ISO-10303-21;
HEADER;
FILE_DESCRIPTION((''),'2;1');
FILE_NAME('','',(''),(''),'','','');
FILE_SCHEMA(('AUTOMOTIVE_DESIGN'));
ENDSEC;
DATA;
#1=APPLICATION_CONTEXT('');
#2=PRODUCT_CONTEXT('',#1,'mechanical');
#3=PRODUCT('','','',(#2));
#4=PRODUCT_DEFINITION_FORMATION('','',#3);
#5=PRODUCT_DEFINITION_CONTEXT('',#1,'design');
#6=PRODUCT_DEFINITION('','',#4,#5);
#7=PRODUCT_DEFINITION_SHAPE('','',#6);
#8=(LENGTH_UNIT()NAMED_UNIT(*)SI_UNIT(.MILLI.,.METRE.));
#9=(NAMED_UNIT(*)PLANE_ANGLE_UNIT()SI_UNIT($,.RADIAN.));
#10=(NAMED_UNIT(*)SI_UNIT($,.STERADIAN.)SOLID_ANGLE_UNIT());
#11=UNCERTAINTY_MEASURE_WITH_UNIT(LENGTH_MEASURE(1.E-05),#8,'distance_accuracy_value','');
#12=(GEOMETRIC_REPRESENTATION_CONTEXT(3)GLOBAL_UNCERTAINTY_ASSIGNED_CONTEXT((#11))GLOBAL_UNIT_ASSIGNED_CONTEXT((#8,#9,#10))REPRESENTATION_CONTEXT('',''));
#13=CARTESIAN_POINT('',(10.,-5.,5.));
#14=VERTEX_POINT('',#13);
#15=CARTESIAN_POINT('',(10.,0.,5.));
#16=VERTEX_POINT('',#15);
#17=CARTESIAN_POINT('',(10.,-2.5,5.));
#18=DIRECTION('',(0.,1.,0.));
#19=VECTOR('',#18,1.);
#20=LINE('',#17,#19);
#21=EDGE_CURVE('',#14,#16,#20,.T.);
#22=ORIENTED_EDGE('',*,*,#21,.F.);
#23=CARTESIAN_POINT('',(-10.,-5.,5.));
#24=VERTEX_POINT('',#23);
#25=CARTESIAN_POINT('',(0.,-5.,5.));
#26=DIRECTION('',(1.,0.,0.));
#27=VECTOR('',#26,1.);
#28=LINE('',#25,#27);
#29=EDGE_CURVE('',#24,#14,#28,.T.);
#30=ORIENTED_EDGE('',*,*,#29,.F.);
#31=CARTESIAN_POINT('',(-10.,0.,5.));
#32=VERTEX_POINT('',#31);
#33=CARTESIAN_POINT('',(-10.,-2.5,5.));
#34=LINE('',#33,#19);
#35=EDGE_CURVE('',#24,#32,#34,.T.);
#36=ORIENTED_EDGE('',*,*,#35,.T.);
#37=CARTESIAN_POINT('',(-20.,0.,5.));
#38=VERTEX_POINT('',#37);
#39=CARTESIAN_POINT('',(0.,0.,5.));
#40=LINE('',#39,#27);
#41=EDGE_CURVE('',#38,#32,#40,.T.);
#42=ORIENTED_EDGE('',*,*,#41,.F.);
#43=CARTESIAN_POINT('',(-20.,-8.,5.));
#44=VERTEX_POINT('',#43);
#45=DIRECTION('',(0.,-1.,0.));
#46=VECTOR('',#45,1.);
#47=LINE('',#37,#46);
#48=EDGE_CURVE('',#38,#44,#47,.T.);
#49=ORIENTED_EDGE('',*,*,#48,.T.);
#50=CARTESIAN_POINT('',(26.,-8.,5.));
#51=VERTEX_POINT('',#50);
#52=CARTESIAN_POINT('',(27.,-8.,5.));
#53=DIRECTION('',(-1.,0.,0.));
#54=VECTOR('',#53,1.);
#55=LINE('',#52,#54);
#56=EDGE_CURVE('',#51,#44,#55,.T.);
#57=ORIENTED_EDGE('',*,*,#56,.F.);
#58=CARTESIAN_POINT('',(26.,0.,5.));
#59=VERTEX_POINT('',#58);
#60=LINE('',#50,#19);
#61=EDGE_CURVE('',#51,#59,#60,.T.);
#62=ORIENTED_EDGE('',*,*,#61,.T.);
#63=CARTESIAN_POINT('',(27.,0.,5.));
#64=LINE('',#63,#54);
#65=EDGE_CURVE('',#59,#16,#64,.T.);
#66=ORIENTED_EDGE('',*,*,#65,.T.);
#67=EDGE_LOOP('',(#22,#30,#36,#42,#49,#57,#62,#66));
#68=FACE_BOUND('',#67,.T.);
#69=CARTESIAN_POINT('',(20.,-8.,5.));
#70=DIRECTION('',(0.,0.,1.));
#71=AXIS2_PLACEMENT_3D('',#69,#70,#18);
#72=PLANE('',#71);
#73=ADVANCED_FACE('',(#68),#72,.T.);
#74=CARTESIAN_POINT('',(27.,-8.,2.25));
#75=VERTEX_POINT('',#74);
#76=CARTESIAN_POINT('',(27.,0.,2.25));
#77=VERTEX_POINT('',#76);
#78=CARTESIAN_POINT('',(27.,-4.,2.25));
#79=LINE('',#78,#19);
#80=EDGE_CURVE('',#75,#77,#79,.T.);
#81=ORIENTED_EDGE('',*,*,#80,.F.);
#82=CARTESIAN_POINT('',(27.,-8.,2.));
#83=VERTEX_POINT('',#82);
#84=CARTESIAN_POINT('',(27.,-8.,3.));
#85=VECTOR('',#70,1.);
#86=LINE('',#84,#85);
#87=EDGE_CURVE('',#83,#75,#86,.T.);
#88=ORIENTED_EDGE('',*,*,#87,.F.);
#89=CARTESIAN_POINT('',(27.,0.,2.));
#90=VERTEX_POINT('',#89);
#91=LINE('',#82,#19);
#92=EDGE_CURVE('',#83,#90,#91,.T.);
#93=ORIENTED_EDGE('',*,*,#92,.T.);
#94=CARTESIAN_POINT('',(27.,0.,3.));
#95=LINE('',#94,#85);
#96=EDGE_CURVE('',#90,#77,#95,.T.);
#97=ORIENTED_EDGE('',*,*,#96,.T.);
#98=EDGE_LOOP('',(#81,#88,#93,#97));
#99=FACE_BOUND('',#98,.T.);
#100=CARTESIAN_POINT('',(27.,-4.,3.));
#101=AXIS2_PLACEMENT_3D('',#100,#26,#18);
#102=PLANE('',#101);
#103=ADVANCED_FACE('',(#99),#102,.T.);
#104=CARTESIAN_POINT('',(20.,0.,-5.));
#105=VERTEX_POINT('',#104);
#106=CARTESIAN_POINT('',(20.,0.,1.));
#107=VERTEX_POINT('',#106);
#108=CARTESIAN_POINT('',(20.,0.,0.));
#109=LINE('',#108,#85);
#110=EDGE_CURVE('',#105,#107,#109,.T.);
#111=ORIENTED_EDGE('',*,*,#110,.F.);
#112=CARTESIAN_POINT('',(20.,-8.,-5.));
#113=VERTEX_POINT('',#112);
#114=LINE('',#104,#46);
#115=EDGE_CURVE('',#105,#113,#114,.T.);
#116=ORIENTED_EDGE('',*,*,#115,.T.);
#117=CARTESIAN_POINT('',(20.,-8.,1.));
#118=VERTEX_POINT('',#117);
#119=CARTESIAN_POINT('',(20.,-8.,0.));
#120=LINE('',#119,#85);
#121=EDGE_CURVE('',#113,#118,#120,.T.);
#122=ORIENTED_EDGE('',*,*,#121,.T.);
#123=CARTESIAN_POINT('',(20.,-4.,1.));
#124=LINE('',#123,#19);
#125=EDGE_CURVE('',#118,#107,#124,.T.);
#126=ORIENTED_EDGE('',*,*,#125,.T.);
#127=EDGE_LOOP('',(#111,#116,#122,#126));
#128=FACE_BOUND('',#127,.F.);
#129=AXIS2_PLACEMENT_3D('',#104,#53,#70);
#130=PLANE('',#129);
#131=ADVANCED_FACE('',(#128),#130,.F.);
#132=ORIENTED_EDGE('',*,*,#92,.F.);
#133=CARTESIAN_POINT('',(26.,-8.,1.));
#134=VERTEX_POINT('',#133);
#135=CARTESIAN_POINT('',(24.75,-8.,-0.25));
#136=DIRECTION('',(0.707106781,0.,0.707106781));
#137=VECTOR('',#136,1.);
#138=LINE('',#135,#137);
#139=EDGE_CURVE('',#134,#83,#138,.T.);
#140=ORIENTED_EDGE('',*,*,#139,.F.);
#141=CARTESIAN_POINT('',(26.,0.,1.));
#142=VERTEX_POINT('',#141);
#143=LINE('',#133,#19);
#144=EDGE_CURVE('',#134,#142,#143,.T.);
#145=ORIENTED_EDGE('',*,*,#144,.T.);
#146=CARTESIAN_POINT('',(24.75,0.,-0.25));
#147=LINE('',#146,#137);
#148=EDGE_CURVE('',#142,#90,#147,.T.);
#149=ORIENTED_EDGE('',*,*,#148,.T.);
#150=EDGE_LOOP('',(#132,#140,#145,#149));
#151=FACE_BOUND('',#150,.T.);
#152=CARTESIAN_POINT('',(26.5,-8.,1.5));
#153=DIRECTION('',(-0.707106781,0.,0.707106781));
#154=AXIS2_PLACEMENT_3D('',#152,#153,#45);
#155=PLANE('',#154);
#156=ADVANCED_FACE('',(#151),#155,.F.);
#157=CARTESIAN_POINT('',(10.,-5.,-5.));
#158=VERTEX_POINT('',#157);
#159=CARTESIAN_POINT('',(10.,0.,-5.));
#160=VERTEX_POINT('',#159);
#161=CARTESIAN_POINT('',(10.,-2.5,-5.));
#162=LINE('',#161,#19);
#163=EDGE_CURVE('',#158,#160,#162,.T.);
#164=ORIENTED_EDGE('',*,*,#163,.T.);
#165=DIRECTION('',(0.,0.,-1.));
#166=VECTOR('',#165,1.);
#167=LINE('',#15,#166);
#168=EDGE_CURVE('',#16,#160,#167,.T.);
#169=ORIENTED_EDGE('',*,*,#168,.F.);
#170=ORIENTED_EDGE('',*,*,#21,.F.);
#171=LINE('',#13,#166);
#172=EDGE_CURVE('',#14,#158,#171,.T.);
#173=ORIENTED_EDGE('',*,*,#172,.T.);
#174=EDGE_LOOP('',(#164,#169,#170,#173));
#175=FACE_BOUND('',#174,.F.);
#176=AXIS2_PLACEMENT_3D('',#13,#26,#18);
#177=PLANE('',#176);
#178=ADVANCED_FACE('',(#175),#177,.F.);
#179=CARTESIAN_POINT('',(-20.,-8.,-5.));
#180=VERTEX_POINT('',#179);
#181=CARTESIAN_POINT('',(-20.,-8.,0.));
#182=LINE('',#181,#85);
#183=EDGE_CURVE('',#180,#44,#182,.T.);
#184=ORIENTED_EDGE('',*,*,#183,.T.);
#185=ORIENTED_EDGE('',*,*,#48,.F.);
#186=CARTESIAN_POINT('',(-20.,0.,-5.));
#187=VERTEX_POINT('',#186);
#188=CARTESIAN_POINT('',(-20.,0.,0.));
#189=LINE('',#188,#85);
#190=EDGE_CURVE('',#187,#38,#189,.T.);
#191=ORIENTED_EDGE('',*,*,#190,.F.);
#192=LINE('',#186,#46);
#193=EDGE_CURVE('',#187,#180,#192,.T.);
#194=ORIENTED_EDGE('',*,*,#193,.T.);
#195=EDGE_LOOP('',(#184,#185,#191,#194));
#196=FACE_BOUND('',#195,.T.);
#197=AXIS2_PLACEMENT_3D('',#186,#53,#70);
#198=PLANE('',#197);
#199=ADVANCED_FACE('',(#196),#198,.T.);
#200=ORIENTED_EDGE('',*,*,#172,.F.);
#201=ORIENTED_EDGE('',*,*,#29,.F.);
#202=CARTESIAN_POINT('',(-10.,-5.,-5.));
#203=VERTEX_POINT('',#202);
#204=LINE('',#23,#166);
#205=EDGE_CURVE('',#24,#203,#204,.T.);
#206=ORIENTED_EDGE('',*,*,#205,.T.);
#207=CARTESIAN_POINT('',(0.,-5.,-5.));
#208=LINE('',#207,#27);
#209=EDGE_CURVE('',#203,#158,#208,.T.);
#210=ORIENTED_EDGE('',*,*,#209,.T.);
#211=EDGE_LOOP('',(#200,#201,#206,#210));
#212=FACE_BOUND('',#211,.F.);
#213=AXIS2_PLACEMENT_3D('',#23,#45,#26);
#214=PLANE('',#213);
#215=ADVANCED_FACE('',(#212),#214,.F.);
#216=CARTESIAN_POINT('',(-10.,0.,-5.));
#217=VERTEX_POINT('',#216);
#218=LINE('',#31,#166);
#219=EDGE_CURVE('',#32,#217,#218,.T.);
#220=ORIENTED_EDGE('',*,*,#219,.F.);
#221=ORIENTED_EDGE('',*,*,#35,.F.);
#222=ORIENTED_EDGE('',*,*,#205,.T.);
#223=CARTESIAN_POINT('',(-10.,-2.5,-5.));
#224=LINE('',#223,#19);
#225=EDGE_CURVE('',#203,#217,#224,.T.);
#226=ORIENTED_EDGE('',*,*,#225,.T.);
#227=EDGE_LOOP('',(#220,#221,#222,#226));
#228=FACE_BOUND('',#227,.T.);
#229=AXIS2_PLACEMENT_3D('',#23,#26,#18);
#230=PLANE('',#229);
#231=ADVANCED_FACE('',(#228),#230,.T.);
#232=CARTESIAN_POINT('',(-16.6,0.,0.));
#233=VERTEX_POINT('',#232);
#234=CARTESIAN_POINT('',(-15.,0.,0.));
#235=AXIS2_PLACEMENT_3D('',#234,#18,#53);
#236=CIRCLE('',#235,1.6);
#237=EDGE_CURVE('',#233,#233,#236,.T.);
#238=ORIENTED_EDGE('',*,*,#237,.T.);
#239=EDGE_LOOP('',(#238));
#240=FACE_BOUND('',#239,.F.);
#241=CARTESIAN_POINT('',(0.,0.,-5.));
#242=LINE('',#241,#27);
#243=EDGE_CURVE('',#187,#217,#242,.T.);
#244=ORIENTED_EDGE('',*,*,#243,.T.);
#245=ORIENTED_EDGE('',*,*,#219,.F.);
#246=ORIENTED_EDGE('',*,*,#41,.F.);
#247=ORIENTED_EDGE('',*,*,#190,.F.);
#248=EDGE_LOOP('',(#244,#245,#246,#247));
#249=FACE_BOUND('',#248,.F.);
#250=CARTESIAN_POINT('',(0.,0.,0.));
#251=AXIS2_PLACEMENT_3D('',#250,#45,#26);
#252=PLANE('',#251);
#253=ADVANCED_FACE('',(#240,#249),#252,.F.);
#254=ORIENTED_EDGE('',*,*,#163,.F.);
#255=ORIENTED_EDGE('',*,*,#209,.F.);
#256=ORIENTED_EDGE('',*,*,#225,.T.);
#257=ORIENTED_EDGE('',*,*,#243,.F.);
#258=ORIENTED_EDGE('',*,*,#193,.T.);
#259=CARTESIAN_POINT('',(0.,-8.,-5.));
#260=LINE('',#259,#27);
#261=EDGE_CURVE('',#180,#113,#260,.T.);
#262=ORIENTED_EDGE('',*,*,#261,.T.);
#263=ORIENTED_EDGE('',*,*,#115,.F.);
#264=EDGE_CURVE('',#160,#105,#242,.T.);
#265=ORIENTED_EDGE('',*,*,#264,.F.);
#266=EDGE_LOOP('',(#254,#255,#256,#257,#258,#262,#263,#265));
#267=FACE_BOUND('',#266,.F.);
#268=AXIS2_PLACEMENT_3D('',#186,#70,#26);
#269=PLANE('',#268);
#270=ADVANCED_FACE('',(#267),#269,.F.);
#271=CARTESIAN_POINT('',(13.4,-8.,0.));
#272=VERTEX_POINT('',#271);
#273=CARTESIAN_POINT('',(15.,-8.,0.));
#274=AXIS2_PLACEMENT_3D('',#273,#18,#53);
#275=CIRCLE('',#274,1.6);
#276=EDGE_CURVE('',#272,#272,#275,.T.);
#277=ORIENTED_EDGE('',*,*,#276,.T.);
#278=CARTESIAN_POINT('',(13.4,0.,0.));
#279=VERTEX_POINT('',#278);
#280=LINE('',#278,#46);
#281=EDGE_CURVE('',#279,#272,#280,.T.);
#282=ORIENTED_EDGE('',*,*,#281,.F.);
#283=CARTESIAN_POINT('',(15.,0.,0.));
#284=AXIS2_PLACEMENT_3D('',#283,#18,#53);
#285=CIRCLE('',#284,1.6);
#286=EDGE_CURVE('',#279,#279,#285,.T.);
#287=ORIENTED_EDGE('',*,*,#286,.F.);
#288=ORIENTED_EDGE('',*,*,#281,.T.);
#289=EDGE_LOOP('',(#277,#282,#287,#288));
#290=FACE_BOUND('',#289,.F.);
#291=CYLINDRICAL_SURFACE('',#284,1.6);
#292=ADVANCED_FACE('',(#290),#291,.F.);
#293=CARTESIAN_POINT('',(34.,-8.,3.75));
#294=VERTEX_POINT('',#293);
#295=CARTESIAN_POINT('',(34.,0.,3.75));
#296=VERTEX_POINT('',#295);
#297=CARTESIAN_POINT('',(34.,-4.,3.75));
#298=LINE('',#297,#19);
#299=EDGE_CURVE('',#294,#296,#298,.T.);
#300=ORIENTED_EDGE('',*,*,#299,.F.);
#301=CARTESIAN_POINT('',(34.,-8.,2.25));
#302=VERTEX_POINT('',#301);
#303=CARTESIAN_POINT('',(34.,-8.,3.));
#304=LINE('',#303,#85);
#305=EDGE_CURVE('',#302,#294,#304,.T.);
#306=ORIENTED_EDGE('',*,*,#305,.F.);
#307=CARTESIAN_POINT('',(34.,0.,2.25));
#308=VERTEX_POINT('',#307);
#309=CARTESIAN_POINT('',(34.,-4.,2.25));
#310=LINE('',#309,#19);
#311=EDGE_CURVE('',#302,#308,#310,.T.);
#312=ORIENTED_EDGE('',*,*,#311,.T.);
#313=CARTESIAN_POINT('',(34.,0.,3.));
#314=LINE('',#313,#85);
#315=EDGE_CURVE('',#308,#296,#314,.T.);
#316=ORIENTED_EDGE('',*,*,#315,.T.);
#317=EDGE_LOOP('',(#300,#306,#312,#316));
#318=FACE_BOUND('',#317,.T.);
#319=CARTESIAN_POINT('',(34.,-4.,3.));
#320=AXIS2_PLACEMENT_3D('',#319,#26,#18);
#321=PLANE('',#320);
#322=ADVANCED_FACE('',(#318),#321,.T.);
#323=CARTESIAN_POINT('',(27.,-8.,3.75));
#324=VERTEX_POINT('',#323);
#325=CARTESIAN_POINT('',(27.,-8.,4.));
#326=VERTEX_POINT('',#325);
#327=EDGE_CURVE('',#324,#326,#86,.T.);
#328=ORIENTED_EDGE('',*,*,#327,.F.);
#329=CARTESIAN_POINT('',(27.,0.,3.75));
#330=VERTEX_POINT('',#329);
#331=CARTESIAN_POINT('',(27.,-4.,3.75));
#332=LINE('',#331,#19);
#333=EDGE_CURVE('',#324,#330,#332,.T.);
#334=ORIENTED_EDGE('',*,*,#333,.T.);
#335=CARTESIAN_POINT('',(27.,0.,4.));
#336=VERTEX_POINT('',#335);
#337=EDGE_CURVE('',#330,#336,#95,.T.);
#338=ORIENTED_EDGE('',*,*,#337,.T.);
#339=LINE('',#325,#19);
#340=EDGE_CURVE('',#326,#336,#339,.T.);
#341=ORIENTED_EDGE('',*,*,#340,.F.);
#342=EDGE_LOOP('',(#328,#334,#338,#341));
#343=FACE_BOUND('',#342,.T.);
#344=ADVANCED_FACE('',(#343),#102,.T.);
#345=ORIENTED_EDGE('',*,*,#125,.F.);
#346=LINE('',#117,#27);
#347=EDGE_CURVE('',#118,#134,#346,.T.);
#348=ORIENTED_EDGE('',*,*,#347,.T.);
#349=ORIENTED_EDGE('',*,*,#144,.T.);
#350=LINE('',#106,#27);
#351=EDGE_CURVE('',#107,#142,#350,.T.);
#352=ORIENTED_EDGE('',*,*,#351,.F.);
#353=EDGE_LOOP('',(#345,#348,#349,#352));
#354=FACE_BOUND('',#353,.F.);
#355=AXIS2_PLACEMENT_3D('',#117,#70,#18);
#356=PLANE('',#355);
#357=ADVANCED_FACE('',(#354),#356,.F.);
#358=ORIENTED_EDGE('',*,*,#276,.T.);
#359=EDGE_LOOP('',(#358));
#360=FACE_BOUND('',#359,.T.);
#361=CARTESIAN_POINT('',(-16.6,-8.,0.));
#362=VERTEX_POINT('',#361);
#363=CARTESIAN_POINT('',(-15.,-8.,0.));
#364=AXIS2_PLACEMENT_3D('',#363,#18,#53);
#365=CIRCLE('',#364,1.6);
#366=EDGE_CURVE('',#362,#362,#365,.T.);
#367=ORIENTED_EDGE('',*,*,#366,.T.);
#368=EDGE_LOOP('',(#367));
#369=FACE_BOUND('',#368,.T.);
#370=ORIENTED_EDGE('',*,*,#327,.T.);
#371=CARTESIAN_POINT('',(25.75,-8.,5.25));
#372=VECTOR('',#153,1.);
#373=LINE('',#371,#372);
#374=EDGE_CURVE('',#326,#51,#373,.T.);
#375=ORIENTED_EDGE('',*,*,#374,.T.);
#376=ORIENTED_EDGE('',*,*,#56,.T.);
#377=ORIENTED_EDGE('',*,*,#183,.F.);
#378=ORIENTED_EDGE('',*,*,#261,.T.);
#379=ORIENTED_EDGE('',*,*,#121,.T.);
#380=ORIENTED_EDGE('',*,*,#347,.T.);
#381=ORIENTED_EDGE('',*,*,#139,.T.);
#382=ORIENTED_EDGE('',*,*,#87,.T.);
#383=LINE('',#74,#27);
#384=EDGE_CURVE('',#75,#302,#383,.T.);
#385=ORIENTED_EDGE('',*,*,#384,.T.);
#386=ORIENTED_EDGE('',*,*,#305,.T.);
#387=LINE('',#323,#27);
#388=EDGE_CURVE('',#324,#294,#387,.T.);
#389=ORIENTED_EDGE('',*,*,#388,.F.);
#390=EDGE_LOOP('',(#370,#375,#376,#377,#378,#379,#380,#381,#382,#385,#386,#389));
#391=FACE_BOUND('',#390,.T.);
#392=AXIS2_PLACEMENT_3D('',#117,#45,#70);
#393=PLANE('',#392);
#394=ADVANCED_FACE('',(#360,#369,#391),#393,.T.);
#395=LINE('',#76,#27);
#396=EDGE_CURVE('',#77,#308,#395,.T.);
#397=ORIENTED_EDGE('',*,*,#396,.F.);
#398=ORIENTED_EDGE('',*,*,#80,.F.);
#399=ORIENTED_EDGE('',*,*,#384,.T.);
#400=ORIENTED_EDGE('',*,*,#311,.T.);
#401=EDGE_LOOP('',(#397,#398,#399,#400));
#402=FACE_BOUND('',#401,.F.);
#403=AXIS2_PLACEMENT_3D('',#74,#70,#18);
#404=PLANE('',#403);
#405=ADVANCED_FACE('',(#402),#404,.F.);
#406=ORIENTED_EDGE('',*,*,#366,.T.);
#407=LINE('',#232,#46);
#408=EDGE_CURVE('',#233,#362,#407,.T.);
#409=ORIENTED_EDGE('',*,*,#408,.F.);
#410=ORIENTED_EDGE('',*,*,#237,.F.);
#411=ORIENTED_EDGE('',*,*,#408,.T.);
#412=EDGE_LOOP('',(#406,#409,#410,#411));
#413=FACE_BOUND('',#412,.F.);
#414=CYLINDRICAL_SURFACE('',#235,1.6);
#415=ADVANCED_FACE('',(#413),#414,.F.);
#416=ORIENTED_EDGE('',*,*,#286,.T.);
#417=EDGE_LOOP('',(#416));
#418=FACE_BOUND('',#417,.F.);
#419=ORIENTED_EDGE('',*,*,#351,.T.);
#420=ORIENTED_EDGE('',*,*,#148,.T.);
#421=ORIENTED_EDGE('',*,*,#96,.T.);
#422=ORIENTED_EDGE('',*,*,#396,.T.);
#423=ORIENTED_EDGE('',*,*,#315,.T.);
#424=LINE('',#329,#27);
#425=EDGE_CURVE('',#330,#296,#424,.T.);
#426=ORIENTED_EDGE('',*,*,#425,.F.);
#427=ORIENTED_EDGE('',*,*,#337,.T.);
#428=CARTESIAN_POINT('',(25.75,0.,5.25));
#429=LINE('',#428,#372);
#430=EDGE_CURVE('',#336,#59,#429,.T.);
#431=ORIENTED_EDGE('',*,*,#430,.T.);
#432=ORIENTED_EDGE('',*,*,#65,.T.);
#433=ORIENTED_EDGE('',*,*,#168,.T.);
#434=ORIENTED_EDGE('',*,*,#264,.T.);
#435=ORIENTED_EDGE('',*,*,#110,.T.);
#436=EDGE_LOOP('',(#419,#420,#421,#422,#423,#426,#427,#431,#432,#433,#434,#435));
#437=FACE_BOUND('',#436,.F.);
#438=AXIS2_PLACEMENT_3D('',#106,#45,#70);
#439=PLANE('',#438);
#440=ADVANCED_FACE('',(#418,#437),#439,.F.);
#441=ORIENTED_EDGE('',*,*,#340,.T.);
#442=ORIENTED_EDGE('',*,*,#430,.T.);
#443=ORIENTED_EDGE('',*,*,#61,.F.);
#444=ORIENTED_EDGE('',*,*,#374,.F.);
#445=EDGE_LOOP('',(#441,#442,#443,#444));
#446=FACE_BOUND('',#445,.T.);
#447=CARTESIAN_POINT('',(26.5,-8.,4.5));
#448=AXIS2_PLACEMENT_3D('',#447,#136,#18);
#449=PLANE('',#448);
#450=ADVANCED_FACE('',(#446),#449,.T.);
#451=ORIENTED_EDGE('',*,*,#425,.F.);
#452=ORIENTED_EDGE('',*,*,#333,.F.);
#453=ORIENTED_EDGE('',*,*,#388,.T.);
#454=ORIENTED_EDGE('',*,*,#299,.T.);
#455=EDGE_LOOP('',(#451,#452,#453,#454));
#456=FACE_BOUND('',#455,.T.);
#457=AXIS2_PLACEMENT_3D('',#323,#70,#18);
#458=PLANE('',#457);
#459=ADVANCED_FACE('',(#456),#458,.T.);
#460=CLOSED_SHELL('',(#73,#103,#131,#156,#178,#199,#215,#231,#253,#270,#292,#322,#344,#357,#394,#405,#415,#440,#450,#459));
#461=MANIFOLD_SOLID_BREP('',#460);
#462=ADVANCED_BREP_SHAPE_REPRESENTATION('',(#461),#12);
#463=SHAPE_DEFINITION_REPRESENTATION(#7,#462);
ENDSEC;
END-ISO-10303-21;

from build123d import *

# Parameters (mm, degrees)
F0_W      = 40
F0_H      = 10
F1_DEPTH  = 8
F2_W      = 20
F2_H      = 5
F3_DEPTH  = 10
F4_R      = 1.6
F5_R      = 1.6
F6_DEPTH  = 8
F7_W      = 8
F7_H      = 4
F8_DEPTH  = 7
F9_W      = 8
F9_H      = 1.5
F10_DEPTH = 7
F11_SIZE  = 1


with BuildPart() as f1:
    # F0 (on Front) → F1 (new body)
    with BuildSketch(Plane.XZ):
        Rectangle(F0_W, F0_H)
    extrude(amount=F1_DEPTH)

    # F2 (on face) → F3 (cut, through all)
    with BuildSketch(Plane.XY.offset(5)):
        with Locations((0, -2.5)):
            Rectangle(F2_W, F2_H)
    extrude(amount=-F3_DEPTH, mode=Mode.SUBTRACT)

    # F4 (on face) + F5 (on face) → F6 (cut, through all)
    with BuildSketch(Plane(origin=(0, 0, 0), x_dir=(-1, 0, 0), z_dir=(0, 1, 0))):
        with Locations((-15, 0)):
            Circle(F4_R)
    with BuildSketch(Plane(origin=(0, 0, 0), x_dir=(-1, 0, 0), z_dir=(0, 1, 0))):
        with Locations((15, 0)):
            Circle(F5_R)
    extrude(amount=-F6_DEPTH, mode=Mode.SUBTRACT)

    # F7 (on face) → F8 (join)
    with BuildSketch(Plane.YZ.offset(20)):
        with Locations((-4, 3)):
            Rectangle(F7_W, F7_H)
    extrude(amount=F8_DEPTH)

    # F9 (on face) → F10 (join)
    with BuildSketch(Plane.YZ.offset(27)):
        with Locations((-4, 3)):
            Rectangle(F9_W, F9_H)
    extrude(amount=F10_DEPTH)

    # F11
    f11_edges = [f1.edges().sort_by_distance(p)[0] for p in [
        (27, -4, 1),
        (27, -4, 5),
    ]]
    chamfer(f11_edges, length=F11_SIZE)


solid = f1.part
